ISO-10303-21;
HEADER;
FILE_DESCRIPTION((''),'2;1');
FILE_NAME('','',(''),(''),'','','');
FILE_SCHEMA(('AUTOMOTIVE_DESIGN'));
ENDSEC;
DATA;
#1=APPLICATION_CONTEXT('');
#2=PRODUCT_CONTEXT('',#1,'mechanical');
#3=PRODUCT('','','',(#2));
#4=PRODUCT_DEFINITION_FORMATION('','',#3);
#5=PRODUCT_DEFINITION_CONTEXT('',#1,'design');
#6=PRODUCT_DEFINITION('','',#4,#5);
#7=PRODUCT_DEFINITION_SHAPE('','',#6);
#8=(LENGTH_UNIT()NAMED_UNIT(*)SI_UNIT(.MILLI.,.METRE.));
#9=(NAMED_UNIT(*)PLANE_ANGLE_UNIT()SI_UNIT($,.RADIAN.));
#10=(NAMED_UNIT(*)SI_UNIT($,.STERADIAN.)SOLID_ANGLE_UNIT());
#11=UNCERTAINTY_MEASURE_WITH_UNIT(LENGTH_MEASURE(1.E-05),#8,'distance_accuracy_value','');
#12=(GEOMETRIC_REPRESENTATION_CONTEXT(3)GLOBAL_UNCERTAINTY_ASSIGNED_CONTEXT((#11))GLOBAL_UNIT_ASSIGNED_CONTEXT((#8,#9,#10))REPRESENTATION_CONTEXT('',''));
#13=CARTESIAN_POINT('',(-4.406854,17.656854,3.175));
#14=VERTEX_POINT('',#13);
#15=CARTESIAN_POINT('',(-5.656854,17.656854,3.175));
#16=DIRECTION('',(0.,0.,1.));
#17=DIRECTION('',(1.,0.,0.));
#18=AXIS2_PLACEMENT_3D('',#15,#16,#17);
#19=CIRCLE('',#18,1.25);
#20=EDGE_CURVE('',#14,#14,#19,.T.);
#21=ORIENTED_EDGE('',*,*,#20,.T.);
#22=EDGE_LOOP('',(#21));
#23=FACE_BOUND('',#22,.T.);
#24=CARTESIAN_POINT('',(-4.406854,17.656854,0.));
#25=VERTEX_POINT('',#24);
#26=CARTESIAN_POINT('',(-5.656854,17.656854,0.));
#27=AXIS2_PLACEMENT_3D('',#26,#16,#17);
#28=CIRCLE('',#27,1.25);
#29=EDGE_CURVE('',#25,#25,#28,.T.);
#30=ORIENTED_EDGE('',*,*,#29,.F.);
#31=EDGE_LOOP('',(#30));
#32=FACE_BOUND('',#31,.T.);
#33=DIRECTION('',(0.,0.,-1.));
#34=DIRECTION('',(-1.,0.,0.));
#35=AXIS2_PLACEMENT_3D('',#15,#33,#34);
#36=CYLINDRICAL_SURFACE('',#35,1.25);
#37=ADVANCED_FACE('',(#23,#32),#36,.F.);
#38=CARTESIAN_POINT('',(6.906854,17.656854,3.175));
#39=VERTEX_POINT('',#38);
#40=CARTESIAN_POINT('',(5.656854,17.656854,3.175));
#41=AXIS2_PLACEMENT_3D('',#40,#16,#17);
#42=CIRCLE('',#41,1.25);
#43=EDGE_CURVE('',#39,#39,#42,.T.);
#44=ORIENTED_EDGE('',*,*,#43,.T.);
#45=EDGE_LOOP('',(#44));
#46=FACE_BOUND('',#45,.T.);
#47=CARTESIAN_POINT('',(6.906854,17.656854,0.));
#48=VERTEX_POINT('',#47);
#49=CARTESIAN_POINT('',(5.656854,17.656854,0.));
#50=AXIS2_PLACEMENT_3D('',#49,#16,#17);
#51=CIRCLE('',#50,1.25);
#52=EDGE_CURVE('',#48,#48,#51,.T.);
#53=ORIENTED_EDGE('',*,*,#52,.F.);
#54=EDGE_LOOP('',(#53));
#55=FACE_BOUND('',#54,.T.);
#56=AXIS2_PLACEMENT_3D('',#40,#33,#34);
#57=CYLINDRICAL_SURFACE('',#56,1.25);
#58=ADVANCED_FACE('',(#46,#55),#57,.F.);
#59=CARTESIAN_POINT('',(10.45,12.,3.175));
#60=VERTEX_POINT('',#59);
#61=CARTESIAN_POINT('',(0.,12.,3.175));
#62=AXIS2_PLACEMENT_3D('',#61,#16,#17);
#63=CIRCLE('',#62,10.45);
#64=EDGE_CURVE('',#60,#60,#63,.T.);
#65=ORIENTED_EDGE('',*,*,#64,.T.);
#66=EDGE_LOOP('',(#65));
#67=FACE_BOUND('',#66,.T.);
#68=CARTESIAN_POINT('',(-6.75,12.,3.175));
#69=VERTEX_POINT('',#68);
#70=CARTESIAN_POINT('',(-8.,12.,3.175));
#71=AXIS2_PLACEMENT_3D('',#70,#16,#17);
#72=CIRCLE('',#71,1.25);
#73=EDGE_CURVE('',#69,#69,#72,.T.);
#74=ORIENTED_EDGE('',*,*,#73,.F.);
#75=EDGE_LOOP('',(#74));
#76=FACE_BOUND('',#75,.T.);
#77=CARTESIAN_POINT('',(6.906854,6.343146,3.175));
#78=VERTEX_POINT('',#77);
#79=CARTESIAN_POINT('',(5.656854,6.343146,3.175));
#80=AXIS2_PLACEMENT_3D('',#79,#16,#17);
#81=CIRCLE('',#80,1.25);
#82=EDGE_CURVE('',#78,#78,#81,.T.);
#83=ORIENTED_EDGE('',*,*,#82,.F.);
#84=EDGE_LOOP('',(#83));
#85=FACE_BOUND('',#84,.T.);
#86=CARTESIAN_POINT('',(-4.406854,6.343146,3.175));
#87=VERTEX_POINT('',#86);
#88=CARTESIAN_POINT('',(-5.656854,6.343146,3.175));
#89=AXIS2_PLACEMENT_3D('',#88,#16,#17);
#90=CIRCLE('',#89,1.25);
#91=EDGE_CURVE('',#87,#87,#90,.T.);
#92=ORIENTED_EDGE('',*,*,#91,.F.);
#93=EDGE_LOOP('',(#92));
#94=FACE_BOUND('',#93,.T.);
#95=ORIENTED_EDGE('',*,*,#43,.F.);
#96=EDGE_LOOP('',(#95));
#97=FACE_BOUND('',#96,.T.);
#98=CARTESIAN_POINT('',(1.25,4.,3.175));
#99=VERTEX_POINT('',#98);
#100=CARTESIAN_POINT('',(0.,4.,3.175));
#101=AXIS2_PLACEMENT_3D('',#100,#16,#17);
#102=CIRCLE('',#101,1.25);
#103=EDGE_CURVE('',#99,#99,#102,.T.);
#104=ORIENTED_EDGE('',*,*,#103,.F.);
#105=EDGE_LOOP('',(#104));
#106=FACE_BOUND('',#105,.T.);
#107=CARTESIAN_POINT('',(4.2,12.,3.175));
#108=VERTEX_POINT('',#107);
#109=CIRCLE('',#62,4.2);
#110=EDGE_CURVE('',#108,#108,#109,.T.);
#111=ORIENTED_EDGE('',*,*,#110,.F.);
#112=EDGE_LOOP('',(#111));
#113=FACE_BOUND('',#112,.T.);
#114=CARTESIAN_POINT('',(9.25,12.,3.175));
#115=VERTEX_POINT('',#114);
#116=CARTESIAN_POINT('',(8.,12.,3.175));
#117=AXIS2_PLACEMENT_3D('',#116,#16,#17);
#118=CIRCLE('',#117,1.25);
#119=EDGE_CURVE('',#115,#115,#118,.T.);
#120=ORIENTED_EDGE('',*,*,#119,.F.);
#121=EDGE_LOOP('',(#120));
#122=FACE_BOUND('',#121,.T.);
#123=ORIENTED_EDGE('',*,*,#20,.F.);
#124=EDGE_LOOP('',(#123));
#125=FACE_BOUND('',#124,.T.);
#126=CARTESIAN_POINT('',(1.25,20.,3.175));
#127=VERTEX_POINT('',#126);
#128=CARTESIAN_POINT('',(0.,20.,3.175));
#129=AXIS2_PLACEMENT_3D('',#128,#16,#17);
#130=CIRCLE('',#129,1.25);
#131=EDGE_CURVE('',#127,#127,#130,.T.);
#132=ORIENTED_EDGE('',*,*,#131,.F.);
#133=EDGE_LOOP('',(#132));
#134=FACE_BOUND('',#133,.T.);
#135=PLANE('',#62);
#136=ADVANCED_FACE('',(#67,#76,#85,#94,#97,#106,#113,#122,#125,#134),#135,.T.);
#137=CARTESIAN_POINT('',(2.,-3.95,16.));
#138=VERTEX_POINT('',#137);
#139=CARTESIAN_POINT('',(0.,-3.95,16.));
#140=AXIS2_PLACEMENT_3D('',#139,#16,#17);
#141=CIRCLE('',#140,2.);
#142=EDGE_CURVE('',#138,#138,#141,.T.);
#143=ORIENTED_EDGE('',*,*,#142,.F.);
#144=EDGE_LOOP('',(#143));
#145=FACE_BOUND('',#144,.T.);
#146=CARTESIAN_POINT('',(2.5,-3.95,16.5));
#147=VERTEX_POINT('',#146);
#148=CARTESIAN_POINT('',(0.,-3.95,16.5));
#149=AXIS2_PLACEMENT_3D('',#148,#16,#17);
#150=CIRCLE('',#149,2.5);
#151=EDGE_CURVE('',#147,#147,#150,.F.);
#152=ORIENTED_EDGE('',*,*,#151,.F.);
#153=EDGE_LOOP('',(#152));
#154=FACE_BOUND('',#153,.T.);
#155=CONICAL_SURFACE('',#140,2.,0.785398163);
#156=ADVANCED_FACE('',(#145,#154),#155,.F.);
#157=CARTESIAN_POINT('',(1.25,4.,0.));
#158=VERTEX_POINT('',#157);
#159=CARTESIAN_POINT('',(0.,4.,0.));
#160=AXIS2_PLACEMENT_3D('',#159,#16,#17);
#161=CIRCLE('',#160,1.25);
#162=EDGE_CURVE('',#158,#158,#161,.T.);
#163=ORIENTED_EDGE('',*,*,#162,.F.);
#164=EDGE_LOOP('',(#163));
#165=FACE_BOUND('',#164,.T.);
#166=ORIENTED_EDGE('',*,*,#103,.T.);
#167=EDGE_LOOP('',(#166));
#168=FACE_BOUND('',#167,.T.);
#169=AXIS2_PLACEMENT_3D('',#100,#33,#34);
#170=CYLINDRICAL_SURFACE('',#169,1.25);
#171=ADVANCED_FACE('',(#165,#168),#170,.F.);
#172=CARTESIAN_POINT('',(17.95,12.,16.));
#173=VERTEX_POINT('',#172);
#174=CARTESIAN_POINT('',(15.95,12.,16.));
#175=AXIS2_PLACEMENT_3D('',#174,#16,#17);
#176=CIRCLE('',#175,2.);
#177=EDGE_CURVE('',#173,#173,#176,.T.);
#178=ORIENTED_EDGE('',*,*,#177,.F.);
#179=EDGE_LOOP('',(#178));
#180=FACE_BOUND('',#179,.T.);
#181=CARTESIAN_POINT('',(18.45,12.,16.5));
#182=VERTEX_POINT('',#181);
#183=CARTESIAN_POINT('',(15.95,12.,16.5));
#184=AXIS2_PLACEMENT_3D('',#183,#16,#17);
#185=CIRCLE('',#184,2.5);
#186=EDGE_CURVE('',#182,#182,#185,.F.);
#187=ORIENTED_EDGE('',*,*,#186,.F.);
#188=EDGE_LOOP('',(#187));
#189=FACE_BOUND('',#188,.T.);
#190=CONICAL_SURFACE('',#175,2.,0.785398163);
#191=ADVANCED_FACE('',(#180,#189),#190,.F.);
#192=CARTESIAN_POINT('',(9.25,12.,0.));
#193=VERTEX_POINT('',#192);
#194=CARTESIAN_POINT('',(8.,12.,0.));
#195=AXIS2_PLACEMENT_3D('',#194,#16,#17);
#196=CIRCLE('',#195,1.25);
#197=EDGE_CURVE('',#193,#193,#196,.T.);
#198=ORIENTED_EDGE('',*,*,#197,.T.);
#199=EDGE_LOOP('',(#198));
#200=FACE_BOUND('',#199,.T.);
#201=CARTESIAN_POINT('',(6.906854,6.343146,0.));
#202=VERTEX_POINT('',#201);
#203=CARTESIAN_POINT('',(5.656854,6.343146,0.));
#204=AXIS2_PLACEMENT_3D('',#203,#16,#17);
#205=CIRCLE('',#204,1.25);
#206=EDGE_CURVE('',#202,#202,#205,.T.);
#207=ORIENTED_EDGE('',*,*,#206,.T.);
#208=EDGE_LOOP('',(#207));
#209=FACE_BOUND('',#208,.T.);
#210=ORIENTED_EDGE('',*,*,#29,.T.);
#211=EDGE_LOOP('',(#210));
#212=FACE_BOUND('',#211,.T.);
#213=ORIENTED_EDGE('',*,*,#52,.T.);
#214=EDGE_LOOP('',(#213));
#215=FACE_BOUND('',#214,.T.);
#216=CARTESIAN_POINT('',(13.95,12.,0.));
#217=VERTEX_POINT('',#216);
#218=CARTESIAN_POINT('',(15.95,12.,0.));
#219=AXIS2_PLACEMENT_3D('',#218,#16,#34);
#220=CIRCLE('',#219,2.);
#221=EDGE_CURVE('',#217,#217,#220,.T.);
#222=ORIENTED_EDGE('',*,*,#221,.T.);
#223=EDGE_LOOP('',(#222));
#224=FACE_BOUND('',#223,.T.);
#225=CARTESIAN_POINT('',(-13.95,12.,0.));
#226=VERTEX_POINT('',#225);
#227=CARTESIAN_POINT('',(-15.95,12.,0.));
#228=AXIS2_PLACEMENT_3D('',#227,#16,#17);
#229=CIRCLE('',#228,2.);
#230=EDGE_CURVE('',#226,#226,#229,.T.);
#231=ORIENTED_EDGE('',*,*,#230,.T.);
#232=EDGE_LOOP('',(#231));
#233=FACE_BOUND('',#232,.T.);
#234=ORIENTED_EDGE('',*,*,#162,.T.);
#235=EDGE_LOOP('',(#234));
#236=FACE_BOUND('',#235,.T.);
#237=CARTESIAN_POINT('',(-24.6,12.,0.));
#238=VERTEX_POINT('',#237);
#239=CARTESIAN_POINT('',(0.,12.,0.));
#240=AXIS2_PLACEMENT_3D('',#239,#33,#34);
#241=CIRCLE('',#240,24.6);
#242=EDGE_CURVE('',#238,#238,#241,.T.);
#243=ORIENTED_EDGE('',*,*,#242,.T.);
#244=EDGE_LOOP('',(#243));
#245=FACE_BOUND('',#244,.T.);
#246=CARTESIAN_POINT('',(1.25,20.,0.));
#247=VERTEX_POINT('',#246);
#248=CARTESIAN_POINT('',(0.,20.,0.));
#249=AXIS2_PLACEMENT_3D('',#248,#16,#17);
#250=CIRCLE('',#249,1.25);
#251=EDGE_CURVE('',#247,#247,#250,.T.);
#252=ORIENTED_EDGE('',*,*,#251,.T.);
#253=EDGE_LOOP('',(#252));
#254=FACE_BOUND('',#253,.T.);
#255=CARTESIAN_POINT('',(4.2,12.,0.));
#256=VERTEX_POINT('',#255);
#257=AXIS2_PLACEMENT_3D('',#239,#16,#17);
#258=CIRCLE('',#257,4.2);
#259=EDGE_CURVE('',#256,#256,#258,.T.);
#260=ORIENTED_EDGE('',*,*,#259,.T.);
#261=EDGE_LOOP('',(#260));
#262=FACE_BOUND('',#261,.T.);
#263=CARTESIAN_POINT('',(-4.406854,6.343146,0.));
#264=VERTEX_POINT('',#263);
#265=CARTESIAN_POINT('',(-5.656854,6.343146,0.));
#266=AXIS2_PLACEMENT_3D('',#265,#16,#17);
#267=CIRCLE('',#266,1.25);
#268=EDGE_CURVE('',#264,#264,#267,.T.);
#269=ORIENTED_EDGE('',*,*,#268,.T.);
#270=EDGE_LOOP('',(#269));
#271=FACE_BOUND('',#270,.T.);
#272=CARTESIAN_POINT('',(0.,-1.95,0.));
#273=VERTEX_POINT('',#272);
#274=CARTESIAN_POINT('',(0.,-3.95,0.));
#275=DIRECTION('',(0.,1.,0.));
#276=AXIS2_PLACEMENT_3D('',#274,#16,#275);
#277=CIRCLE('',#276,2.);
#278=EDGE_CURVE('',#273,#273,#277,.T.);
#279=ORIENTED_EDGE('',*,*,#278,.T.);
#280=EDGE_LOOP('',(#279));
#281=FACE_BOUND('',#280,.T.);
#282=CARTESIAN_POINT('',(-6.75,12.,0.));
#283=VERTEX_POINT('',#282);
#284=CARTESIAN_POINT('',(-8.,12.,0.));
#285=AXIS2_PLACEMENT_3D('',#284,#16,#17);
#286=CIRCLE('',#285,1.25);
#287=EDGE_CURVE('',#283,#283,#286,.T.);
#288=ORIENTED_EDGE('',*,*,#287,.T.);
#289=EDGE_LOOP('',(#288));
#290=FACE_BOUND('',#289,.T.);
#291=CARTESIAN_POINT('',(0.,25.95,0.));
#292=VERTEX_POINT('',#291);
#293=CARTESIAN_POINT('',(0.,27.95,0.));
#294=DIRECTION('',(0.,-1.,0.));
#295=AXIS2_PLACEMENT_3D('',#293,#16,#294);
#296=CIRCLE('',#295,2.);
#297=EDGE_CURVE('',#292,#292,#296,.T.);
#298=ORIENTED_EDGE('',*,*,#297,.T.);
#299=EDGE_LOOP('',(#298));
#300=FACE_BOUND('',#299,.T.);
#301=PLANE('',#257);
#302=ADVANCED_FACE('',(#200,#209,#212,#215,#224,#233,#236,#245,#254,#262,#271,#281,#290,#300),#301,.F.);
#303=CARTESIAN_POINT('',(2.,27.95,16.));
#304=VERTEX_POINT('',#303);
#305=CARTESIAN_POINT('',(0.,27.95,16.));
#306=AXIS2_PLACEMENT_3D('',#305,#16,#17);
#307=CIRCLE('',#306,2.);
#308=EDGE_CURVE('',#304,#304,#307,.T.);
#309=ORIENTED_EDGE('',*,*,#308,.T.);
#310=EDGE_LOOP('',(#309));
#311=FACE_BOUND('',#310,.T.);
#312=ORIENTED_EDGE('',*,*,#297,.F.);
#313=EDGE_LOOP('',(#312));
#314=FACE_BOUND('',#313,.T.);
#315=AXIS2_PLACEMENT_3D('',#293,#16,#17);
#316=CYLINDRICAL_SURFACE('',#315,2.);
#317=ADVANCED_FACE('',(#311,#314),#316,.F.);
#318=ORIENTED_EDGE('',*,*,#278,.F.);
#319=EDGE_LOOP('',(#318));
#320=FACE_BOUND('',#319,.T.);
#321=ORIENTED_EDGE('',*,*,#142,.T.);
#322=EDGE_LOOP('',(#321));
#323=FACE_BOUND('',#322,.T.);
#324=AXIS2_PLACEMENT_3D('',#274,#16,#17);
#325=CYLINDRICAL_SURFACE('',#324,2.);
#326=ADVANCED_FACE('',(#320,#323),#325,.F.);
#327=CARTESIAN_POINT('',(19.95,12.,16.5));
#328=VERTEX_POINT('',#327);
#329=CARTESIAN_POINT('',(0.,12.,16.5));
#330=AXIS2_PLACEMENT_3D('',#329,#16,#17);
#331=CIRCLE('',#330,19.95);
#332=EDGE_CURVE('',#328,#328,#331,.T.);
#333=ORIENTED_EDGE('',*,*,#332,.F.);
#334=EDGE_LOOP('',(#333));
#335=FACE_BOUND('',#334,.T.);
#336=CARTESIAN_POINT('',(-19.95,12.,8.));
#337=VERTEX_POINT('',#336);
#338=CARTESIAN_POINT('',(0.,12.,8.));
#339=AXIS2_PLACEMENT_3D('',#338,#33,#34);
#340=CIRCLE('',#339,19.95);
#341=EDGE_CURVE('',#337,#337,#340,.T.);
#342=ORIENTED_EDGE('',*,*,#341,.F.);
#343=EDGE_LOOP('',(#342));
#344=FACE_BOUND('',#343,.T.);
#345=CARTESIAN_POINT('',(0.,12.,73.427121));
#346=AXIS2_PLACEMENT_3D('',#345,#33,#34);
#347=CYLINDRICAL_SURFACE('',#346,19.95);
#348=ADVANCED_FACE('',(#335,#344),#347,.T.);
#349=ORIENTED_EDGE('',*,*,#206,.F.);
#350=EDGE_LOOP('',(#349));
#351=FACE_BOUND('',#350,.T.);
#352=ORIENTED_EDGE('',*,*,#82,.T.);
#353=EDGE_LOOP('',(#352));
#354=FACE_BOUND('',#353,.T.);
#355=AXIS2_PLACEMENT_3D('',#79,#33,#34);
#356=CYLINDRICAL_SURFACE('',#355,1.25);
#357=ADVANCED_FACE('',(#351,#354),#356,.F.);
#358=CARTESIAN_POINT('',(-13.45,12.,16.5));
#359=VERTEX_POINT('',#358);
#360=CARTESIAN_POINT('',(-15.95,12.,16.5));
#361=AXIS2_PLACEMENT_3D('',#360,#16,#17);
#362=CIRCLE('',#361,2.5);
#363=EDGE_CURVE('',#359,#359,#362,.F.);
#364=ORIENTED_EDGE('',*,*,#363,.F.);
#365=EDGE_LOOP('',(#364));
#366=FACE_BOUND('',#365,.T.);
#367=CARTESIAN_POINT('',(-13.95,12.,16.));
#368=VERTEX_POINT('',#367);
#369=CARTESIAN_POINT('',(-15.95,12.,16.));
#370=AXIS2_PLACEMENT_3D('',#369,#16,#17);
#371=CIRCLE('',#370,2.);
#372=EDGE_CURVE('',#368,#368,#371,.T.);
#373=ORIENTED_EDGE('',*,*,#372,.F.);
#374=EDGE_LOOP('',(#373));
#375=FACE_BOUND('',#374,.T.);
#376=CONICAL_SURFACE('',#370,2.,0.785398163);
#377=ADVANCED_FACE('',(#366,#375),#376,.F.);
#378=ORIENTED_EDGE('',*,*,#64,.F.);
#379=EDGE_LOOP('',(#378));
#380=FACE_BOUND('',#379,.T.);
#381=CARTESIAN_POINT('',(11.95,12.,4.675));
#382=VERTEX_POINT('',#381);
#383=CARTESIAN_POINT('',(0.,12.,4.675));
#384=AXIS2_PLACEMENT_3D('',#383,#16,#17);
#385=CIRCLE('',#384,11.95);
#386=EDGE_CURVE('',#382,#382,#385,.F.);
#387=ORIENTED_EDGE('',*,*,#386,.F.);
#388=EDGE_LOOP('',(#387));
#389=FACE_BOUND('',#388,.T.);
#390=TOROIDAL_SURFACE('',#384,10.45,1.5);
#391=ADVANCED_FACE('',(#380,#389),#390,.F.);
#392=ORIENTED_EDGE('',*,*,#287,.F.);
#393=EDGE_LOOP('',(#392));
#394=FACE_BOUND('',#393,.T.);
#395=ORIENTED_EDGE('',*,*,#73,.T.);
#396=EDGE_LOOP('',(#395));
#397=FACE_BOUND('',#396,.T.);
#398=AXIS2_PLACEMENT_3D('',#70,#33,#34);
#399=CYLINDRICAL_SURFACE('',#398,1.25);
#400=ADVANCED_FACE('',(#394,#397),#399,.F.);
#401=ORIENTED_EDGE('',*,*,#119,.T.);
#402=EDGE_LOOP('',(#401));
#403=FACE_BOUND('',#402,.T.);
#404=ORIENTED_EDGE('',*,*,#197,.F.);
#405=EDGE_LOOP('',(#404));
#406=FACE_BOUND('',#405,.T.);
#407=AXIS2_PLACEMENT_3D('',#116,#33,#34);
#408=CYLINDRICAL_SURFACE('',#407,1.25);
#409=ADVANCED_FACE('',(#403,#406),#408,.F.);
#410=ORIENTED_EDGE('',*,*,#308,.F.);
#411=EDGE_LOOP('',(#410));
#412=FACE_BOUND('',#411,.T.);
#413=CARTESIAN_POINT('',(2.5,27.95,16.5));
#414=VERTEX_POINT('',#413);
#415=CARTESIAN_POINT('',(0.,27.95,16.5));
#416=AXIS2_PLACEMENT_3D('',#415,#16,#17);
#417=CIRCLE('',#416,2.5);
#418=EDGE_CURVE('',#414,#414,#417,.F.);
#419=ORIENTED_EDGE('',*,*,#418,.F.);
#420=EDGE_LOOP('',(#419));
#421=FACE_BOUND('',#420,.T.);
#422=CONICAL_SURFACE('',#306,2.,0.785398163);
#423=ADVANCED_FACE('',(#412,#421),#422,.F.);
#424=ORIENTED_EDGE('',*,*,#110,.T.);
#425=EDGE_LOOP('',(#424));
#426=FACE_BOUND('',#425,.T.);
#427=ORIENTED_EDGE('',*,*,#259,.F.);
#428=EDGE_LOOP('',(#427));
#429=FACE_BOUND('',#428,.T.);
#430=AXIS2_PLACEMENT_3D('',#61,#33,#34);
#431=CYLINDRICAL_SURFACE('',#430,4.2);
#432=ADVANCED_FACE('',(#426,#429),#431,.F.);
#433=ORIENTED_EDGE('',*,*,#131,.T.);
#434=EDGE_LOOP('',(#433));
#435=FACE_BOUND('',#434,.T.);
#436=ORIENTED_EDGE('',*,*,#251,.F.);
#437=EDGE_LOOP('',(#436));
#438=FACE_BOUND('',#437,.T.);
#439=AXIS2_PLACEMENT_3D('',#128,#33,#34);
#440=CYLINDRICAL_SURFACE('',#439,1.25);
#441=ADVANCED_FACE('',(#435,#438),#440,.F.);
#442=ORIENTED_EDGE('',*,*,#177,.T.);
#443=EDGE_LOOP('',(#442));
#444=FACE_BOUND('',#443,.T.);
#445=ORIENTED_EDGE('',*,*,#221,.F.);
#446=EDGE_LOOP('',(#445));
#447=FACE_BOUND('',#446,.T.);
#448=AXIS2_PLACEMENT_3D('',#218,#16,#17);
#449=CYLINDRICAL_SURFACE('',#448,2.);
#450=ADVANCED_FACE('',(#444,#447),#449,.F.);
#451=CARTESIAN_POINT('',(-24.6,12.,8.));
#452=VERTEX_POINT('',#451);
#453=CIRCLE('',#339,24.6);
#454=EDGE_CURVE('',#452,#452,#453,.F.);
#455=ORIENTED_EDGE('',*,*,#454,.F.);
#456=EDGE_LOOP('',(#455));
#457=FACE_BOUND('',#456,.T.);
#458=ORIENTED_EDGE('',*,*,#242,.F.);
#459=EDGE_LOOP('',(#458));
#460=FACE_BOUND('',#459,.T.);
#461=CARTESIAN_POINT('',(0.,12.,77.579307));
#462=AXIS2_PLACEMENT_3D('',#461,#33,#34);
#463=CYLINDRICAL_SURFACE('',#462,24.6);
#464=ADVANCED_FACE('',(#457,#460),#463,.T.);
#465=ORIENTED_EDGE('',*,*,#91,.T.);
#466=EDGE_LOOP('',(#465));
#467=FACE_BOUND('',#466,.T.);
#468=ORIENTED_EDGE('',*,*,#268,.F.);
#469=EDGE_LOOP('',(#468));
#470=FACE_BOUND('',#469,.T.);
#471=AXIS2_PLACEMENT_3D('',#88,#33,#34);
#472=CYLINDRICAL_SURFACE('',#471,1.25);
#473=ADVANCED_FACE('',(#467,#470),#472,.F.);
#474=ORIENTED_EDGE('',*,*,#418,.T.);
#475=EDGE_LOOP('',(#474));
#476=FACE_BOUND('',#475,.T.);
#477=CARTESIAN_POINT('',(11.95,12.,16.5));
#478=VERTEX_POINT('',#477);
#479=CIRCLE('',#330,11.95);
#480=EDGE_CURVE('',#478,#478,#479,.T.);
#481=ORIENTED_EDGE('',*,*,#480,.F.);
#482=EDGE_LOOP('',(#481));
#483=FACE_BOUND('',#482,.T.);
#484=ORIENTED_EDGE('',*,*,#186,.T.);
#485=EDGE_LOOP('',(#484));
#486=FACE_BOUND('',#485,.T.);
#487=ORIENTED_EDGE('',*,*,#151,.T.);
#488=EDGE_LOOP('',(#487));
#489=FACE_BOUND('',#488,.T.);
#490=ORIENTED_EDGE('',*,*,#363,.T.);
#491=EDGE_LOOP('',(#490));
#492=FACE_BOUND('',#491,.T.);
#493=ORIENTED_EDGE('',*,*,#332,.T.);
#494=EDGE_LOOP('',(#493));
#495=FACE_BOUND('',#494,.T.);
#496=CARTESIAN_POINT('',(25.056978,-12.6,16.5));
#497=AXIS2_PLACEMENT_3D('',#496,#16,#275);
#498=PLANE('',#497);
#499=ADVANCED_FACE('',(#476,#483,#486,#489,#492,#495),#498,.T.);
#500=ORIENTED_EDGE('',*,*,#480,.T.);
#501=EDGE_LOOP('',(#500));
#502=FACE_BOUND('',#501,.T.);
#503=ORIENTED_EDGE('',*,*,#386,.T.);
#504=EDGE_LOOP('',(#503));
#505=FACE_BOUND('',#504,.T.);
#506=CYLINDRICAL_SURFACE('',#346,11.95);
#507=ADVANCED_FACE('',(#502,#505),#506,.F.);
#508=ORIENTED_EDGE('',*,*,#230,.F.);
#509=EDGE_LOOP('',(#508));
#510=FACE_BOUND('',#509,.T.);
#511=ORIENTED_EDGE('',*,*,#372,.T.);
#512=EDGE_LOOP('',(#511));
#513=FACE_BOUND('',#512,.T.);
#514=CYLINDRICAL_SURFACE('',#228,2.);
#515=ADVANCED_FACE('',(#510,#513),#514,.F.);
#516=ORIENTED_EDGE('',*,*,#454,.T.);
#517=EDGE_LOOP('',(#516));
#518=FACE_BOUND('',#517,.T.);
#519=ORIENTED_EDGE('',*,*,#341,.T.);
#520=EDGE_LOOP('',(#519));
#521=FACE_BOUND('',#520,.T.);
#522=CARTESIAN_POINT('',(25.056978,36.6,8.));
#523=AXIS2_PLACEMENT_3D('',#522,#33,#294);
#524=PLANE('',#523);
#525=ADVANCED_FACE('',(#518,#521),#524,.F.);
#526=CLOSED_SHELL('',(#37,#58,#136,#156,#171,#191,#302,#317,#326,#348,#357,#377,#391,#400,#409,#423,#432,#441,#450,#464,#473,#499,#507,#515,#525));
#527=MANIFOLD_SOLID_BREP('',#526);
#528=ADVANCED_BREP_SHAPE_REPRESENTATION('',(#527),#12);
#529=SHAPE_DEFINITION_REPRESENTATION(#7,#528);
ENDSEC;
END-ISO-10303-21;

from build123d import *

# Parameters (mm, degrees)
SKETCH1_R           = 19.75
SKETCH1_R_2         = 4.2
SKETCH1_R_3         = 1.25
BOSS_EXTRUDE1_DEPTH = 3.175
SKETCH3_R           = 19.95
SKETCH3_R_2         = 11.95
BOSS_EXTRUDE2_DEPTH = 13.325
SKETCH4_R           = 2
CUT_EXTRUDE1_DEPTH  = 42.12243913
CIRPATTERN1_COUNT   = 4
SKETCH5_R           = 24.6
SKETCH5_R_2         = 19.75
BOSS_EXTRUDE3_DEPTH = 8
CHAMFER1_SIZE       = 0.5
FILLET1_R           = 1.5


with BuildPart() as part:
    # Sketch1 → Boss-Extrude1 (new body)
    with BuildSketch(Plane.XY):
        with Locations((0, 12)):
            Circle(SKETCH1_R)
        with Locations((0, 12)):
            Circle(SKETCH1_R_2, mode=Mode.SUBTRACT)
        with Locations((5.656854249, 17.656854249)):
            Circle(SKETCH1_R_3, mode=Mode.SUBTRACT)
        with Locations((8, 12)):
            Circle(SKETCH1_R_3, mode=Mode.SUBTRACT)
        with Locations((5.656854249, 6.343145751)):
            Circle(SKETCH1_R_3, mode=Mode.SUBTRACT)
        with Locations((0, 4)):
            Circle(SKETCH1_R_3, mode=Mode.SUBTRACT)
        with Locations((-5.656854249, 6.343145751)):
            Circle(SKETCH1_R_3, mode=Mode.SUBTRACT)
        with Locations((-8, 12)):
            Circle(SKETCH1_R_3, mode=Mode.SUBTRACT)
        with Locations((-5.656854249, 17.656854249)):
            Circle(SKETCH1_R_3, mode=Mode.SUBTRACT)
        with Locations((0, 20)):
            Circle(SKETCH1_R_3, mode=Mode.SUBTRACT)
    extrude(amount=BOSS_EXTRUDE1_DEPTH)

    # Sketch3 → Boss-Extrude2 (add)
    with BuildSketch(Plane.XY.offset(3.175)):
        with Locations((0, 12)):
            Circle(SKETCH3_R)
        with Locations((0, 12)):
            Circle(SKETCH3_R_2, mode=Mode.SUBTRACT)
    extrude(amount=BOSS_EXTRUDE2_DEPTH)

    # Sketch4 → Cut-Extrude1 (cut, through all)
    with BuildSketch(Plane.XY.offset(16.5)):
        with Locations((-15.95, 12)):
            Circle(SKETCH4_R)
    cut_extrude1 = extrude(amount=-CUT_EXTRUDE1_DEPTH, mode=Mode.SUBTRACT)

    # CirPattern1: Cut-Extrude1 ×4 about axis
    cirpattern1_axis = Axis((0, 12, 0), (0, 0, 1))
    for i in range(1, CIRPATTERN1_COUNT):
        add(cut_extrude1.rotate(cirpattern1_axis, i * 360 / CIRPATTERN1_COUNT), mode=Mode.SUBTRACT)

    # Sketch5 → Boss-Extrude3 (add)
    with BuildSketch(Plane(origin=(0, 0, 0), x_dir=(-1, 0, 0), z_dir=(0, 0, -1))):
        with Locations((0, 12)):
            Circle(SKETCH5_R)
        with Locations((0, 12)):
            Circle(SKETCH5_R_2, mode=Mode.SUBTRACT)
    extrude(amount=-BOSS_EXTRUDE3_DEPTH)

    # Chamfer1
    chamfer1_edges = [part.edges().sort_by_distance(p)[0] for p in [
        (-17.95, 12, 16.5),
        (0, -5.95, 16.5),
        (17.95, 12, 16.5),
        (0, 29.95, 16.5),
    ]]
    chamfer(chamfer1_edges, length=CHAMFER1_SIZE)

    # Fillet1
    fillet1_edges = [part.edges().sort_by_distance(p)[0] for p in [
        (-11.95, 12, 3.175),
    ]]
    fillet(fillet1_edges, radius=FILLET1_R)


solid = part.part
